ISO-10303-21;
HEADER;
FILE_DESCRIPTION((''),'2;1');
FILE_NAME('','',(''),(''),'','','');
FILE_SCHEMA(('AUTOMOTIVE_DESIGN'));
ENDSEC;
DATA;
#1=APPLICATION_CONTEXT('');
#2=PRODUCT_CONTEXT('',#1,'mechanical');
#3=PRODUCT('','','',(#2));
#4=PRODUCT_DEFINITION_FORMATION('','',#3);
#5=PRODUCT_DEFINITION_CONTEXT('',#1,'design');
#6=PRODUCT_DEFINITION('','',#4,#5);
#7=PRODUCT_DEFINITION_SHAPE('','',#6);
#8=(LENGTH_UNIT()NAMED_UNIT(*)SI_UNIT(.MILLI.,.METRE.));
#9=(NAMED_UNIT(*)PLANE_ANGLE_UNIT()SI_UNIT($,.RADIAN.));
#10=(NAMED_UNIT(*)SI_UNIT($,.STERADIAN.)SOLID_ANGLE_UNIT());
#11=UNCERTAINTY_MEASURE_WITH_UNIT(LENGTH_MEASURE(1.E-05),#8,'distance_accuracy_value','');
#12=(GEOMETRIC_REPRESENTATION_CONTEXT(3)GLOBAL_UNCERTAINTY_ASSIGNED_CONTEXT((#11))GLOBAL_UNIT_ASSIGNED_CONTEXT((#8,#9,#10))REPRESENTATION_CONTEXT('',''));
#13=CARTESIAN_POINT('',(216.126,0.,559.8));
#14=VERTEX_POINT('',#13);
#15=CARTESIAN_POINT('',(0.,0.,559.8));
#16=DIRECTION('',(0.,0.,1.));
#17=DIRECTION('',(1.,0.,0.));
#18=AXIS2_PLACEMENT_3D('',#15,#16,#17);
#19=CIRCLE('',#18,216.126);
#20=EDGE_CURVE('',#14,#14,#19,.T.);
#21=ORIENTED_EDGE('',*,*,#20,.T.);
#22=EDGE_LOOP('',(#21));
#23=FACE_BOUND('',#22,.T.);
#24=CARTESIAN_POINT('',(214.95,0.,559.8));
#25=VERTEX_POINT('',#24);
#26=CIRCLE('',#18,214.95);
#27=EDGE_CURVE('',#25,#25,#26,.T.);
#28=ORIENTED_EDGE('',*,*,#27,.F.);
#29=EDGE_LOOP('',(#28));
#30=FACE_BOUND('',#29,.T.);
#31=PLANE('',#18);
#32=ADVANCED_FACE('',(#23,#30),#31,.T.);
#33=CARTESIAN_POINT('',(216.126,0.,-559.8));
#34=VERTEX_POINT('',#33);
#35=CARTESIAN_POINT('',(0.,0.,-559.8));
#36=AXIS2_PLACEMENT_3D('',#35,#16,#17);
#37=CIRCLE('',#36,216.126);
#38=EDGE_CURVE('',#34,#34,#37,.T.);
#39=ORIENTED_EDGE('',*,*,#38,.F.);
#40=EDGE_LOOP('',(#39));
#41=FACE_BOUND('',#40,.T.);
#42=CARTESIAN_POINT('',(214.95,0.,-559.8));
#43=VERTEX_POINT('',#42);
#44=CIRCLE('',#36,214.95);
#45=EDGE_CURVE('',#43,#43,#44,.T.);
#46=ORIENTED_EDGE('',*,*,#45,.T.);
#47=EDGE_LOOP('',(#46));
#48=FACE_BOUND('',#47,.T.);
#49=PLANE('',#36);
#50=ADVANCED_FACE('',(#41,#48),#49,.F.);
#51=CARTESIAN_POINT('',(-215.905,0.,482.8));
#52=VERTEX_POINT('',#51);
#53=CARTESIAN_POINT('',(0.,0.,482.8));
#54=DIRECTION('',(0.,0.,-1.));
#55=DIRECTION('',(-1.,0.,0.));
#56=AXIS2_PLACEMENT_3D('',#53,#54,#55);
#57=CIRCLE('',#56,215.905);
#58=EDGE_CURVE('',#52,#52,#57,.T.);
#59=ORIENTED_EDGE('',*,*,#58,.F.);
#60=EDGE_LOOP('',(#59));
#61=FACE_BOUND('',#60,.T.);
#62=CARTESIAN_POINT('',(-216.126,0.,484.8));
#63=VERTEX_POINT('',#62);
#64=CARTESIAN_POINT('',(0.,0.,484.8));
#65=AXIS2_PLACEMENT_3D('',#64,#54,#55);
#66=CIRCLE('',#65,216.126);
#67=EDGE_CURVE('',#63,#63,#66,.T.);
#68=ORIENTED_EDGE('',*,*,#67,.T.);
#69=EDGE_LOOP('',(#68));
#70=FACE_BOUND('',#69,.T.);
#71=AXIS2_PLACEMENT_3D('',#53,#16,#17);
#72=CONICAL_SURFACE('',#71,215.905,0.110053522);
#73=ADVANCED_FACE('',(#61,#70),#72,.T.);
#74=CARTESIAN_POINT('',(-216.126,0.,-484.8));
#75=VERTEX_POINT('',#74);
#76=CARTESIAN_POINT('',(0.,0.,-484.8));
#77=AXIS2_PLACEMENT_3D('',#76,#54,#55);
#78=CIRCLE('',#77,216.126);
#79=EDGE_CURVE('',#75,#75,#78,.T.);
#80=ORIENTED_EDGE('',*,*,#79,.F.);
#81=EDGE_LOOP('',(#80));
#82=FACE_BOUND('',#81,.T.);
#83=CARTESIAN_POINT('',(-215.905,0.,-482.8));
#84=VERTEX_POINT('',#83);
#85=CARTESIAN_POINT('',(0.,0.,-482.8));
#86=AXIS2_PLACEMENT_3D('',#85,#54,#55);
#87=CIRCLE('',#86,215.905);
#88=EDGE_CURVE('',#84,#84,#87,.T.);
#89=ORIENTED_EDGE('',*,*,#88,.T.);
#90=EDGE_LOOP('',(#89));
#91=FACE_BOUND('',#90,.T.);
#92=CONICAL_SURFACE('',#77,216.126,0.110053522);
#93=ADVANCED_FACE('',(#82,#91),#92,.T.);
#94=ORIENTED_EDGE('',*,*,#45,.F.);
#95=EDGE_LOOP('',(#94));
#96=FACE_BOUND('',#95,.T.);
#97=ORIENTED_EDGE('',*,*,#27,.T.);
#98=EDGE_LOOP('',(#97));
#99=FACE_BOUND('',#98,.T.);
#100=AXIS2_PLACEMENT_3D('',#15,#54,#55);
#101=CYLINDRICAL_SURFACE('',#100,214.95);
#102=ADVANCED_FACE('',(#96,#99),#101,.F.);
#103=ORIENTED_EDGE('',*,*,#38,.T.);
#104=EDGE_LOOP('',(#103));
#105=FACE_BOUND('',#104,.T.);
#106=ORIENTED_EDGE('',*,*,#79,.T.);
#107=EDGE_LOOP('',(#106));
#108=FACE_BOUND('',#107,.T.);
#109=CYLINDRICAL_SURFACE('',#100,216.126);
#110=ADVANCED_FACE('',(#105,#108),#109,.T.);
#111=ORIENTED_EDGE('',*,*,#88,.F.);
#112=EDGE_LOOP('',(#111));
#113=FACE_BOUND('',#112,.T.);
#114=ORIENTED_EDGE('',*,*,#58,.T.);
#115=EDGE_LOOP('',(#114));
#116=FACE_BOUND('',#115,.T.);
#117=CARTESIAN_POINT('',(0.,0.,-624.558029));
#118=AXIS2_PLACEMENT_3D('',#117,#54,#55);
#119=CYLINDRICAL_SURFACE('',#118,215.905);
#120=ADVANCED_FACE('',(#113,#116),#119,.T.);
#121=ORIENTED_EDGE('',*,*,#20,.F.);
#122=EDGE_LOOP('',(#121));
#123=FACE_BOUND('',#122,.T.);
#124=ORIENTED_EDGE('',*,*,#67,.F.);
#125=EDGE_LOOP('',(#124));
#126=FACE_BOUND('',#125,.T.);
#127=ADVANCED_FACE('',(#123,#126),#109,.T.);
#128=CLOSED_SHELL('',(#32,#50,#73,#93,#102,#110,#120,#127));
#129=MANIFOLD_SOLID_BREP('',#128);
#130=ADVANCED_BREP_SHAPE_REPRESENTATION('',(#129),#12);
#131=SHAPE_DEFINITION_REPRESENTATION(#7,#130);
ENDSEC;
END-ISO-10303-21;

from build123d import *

# Parameters (mm, degrees)
SKETCH1_R      = 216.126
SKETCH1_R_2    = 214.95
EXTRUDE1_DEPTH = 559.8


with BuildPart() as part:
    # Sketch1 → Extrude1 (new body, symmetric)
    with BuildSketch(Plane.XY):
        Circle(SKETCH1_R)
        Circle(SKETCH1_R_2, mode=Mode.SUBTRACT)
    extrude(amount=EXTRUDE1_DEPTH, both=True)

    # Sketch2 → Cut-Revolve1 (revolve, cut)
    with BuildSketch(Plane(origin=(0, 0, 0), x_dir=(1, 0, 0), z_dir=(0, 1, 0)), mode=Mode.PRIVATE) as cut_revolve1_sk:
        Polygon((216.126, 484.8), (215.905, 482.8), (215.905, -482.8), (216.126, -484.8), align=None)
    revolve(cut_revolve1_sk.sketch.rotate(Axis((0, 0, -624.558028957), (0, 0, 1)), 180), axis=Axis((0, 0, -624.558028957), (0, 0, 1)), mode=Mode.SUBTRACT)  # turned: the seam where the file's is


solid = part.part
